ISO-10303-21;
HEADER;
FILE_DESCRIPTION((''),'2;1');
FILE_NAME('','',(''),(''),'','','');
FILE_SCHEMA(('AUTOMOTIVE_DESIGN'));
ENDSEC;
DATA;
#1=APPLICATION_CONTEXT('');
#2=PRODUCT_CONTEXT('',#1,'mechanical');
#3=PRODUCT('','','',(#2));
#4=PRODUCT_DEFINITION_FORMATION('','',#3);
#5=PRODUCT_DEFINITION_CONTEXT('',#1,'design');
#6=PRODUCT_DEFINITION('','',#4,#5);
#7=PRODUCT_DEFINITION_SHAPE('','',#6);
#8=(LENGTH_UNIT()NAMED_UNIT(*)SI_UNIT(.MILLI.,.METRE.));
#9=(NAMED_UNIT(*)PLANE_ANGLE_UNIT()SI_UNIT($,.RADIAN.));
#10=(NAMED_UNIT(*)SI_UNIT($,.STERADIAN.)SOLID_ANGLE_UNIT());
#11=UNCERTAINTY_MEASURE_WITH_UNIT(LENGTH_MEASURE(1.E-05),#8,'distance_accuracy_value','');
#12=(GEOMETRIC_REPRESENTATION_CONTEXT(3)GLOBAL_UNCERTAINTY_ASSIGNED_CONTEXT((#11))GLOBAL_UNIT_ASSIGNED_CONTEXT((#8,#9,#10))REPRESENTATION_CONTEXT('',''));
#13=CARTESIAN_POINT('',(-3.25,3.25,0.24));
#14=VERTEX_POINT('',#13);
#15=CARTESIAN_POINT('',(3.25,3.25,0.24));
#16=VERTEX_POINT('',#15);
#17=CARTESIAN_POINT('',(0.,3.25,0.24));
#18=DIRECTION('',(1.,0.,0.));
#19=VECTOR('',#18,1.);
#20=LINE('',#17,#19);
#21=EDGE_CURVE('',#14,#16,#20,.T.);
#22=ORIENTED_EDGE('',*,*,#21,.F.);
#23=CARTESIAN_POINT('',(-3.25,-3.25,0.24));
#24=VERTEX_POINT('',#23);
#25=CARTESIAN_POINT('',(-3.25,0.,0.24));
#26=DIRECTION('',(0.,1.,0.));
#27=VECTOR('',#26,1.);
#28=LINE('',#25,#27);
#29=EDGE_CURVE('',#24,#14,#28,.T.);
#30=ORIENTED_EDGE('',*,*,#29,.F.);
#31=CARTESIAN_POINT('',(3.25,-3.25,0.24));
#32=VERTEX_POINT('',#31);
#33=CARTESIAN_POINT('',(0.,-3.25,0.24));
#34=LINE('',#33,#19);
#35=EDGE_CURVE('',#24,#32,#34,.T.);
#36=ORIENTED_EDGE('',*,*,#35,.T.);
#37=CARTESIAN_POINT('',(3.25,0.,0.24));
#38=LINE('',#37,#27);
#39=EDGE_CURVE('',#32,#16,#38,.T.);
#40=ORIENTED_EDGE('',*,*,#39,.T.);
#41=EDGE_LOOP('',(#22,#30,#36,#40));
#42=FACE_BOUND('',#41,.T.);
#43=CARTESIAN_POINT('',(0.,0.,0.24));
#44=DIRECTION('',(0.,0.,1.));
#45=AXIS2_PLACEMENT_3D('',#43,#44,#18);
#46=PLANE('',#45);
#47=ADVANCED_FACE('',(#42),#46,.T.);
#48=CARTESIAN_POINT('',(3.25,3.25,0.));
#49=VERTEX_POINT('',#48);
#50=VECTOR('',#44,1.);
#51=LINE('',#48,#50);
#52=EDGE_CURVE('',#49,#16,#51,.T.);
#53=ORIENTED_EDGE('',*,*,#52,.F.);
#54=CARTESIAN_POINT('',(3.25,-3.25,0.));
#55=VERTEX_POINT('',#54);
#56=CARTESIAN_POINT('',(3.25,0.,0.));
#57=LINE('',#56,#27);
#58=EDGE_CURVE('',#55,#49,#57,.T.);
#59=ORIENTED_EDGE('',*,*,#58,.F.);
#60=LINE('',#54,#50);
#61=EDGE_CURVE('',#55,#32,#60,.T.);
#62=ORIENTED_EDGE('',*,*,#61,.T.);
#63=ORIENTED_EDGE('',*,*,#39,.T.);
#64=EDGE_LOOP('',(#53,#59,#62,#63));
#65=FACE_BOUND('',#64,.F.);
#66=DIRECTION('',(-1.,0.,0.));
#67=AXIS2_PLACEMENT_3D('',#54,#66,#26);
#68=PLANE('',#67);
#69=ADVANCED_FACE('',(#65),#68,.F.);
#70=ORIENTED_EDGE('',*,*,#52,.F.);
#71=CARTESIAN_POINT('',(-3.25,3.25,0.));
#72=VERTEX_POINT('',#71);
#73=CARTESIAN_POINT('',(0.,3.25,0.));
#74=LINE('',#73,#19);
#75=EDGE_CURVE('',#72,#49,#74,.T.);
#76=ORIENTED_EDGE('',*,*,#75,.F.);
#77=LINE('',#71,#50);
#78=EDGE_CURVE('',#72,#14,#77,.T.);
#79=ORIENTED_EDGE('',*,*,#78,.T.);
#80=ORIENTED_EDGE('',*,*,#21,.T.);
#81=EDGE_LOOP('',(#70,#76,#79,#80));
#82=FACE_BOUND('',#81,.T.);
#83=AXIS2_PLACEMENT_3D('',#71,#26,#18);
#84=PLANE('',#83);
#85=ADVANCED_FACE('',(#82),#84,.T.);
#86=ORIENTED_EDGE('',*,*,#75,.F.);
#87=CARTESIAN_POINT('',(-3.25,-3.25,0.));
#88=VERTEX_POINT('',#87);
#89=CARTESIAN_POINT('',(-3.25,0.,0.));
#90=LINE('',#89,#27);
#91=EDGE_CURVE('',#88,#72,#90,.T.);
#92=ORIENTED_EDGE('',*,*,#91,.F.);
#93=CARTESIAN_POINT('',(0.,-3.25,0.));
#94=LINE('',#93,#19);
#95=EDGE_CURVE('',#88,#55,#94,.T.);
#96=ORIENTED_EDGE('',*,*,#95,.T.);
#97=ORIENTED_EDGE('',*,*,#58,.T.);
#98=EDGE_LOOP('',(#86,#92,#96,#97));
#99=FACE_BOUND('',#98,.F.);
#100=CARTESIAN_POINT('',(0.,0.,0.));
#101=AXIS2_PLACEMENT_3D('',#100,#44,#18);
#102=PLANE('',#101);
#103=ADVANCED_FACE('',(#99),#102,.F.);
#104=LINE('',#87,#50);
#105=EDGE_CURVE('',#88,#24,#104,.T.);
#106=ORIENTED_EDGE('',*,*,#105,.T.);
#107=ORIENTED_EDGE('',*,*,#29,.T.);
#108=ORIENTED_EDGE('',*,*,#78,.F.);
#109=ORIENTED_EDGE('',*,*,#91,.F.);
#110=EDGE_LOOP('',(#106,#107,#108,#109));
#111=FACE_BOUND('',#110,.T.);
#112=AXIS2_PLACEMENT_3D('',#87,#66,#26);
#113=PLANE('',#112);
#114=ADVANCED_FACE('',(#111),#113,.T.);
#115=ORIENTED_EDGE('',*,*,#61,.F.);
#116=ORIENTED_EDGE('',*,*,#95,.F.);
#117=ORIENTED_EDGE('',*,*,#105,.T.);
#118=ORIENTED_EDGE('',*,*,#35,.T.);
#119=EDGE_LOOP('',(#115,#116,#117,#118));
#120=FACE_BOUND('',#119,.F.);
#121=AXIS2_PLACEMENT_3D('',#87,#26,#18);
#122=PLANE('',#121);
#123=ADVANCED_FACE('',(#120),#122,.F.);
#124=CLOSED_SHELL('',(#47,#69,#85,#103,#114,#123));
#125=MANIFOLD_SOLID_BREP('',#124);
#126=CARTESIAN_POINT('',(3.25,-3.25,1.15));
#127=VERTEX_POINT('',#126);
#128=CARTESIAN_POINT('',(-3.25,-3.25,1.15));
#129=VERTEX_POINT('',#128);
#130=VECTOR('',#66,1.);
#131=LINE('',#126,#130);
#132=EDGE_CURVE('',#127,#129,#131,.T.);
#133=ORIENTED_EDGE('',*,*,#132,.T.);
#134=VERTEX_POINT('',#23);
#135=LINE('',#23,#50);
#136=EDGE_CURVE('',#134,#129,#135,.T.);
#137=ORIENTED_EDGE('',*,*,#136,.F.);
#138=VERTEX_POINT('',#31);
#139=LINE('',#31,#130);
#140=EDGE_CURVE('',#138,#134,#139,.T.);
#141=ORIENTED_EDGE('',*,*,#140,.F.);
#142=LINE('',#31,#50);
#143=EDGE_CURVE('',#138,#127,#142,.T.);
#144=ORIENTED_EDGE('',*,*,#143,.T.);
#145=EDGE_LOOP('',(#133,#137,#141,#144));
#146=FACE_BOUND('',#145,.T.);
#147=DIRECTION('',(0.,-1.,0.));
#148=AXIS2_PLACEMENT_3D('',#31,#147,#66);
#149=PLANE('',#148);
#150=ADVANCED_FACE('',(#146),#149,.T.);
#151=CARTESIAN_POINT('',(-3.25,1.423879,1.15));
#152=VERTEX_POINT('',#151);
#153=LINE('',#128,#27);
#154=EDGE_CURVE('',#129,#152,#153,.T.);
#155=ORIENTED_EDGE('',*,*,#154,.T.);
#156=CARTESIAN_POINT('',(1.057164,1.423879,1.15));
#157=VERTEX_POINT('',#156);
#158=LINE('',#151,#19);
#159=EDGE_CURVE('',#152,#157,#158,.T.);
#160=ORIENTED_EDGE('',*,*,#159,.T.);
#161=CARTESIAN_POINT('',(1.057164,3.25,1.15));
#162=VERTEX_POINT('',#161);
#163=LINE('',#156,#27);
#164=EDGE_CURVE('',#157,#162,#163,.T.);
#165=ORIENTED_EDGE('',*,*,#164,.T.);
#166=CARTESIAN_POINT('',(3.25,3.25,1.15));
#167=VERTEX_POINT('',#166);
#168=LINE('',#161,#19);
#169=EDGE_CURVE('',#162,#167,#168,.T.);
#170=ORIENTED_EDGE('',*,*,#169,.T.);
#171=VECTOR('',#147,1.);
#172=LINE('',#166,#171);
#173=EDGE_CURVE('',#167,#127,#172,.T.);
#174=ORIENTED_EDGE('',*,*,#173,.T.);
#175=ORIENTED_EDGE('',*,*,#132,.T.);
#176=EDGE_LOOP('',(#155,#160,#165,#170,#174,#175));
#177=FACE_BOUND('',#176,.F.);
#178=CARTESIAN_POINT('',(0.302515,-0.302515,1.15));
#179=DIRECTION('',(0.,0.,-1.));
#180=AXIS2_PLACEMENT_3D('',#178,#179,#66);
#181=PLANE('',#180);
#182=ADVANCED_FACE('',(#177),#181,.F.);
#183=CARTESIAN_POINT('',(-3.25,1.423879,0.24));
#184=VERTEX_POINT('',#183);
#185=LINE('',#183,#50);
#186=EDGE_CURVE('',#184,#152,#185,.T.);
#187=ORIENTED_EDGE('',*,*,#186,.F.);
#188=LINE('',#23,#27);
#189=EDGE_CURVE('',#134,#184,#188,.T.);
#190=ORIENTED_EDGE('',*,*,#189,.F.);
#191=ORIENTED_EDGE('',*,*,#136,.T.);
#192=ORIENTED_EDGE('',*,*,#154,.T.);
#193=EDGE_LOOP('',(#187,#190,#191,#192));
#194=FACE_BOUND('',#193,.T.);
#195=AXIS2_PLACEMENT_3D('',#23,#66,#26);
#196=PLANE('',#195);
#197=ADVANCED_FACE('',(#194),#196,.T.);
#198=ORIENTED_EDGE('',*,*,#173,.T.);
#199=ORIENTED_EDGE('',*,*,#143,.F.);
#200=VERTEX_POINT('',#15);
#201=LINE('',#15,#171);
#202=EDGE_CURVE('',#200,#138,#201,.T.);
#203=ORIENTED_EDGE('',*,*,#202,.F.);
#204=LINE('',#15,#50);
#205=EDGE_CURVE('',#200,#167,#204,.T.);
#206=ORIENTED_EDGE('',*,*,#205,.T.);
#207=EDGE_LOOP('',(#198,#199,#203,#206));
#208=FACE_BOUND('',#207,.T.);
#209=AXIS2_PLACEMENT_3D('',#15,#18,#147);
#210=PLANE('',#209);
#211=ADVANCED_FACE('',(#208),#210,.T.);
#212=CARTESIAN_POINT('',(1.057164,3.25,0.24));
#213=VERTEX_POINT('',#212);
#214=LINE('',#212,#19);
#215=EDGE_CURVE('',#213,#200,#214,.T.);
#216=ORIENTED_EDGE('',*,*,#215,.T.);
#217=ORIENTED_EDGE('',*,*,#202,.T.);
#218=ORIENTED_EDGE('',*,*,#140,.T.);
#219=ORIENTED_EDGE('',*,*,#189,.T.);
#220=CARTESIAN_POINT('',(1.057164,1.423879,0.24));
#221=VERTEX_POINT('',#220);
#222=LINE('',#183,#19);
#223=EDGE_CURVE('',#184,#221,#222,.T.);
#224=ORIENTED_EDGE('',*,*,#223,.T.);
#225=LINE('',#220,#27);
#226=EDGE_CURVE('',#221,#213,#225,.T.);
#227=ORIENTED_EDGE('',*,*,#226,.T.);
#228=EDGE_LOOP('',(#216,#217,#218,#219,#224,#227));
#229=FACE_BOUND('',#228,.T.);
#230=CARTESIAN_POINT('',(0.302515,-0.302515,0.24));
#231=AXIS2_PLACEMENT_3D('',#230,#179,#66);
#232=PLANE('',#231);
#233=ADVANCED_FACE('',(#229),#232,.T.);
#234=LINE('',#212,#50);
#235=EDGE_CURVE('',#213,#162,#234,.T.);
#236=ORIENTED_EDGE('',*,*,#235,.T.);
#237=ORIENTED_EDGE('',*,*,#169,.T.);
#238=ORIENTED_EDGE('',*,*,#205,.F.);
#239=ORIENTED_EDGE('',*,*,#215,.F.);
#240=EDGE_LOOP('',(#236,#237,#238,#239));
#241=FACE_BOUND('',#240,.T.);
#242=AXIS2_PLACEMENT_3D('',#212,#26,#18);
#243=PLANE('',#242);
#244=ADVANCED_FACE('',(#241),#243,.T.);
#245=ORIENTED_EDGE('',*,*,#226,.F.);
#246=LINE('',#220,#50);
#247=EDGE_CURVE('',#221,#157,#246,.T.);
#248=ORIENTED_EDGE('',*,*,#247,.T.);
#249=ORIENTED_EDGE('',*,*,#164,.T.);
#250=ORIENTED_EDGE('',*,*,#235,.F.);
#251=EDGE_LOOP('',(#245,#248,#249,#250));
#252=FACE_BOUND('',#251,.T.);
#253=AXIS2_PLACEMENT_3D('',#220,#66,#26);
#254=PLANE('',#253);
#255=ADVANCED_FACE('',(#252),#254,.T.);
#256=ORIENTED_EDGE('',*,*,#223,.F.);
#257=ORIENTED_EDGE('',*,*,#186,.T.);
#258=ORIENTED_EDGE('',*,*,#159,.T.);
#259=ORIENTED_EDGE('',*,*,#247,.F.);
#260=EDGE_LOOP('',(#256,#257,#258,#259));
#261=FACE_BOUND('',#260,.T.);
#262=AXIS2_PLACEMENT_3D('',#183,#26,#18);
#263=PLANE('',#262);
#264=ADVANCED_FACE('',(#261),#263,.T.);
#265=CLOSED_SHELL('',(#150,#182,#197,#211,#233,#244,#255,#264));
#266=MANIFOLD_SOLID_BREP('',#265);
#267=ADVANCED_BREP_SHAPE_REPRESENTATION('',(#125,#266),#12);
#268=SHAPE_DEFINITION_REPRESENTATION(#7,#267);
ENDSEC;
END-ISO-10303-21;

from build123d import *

# Parameters (mm, degrees)
SKETCH_W      = 6.5
SKETCH_H      = 6.5
PAD_DEPTH     = 0.24
EXTRUDE_DEPTH = 0.91


with BuildPart() as pad:
    # Sketch → Pad (new body)
    with BuildSketch(Plane.XY):
        Rectangle(SKETCH_W, SKETCH_H)
    extrude(amount=PAD_DEPTH)


with BuildPart() as can:
    # Sketch001 (on Face6 of Pad) → Extrude (new body)
    with BuildSketch(Plane.XY.offset(0.24)):
        Polygon((-3.25, -3.25), (-3.25, 1.423879), (1.057164, 1.423879), (1.057164, 3.25), (3.25, 3.25), (3.25, -3.25), align=None)
    extrude(amount=EXTRUDE_DEPTH)


solid = Compound([pad.part, can.part])
